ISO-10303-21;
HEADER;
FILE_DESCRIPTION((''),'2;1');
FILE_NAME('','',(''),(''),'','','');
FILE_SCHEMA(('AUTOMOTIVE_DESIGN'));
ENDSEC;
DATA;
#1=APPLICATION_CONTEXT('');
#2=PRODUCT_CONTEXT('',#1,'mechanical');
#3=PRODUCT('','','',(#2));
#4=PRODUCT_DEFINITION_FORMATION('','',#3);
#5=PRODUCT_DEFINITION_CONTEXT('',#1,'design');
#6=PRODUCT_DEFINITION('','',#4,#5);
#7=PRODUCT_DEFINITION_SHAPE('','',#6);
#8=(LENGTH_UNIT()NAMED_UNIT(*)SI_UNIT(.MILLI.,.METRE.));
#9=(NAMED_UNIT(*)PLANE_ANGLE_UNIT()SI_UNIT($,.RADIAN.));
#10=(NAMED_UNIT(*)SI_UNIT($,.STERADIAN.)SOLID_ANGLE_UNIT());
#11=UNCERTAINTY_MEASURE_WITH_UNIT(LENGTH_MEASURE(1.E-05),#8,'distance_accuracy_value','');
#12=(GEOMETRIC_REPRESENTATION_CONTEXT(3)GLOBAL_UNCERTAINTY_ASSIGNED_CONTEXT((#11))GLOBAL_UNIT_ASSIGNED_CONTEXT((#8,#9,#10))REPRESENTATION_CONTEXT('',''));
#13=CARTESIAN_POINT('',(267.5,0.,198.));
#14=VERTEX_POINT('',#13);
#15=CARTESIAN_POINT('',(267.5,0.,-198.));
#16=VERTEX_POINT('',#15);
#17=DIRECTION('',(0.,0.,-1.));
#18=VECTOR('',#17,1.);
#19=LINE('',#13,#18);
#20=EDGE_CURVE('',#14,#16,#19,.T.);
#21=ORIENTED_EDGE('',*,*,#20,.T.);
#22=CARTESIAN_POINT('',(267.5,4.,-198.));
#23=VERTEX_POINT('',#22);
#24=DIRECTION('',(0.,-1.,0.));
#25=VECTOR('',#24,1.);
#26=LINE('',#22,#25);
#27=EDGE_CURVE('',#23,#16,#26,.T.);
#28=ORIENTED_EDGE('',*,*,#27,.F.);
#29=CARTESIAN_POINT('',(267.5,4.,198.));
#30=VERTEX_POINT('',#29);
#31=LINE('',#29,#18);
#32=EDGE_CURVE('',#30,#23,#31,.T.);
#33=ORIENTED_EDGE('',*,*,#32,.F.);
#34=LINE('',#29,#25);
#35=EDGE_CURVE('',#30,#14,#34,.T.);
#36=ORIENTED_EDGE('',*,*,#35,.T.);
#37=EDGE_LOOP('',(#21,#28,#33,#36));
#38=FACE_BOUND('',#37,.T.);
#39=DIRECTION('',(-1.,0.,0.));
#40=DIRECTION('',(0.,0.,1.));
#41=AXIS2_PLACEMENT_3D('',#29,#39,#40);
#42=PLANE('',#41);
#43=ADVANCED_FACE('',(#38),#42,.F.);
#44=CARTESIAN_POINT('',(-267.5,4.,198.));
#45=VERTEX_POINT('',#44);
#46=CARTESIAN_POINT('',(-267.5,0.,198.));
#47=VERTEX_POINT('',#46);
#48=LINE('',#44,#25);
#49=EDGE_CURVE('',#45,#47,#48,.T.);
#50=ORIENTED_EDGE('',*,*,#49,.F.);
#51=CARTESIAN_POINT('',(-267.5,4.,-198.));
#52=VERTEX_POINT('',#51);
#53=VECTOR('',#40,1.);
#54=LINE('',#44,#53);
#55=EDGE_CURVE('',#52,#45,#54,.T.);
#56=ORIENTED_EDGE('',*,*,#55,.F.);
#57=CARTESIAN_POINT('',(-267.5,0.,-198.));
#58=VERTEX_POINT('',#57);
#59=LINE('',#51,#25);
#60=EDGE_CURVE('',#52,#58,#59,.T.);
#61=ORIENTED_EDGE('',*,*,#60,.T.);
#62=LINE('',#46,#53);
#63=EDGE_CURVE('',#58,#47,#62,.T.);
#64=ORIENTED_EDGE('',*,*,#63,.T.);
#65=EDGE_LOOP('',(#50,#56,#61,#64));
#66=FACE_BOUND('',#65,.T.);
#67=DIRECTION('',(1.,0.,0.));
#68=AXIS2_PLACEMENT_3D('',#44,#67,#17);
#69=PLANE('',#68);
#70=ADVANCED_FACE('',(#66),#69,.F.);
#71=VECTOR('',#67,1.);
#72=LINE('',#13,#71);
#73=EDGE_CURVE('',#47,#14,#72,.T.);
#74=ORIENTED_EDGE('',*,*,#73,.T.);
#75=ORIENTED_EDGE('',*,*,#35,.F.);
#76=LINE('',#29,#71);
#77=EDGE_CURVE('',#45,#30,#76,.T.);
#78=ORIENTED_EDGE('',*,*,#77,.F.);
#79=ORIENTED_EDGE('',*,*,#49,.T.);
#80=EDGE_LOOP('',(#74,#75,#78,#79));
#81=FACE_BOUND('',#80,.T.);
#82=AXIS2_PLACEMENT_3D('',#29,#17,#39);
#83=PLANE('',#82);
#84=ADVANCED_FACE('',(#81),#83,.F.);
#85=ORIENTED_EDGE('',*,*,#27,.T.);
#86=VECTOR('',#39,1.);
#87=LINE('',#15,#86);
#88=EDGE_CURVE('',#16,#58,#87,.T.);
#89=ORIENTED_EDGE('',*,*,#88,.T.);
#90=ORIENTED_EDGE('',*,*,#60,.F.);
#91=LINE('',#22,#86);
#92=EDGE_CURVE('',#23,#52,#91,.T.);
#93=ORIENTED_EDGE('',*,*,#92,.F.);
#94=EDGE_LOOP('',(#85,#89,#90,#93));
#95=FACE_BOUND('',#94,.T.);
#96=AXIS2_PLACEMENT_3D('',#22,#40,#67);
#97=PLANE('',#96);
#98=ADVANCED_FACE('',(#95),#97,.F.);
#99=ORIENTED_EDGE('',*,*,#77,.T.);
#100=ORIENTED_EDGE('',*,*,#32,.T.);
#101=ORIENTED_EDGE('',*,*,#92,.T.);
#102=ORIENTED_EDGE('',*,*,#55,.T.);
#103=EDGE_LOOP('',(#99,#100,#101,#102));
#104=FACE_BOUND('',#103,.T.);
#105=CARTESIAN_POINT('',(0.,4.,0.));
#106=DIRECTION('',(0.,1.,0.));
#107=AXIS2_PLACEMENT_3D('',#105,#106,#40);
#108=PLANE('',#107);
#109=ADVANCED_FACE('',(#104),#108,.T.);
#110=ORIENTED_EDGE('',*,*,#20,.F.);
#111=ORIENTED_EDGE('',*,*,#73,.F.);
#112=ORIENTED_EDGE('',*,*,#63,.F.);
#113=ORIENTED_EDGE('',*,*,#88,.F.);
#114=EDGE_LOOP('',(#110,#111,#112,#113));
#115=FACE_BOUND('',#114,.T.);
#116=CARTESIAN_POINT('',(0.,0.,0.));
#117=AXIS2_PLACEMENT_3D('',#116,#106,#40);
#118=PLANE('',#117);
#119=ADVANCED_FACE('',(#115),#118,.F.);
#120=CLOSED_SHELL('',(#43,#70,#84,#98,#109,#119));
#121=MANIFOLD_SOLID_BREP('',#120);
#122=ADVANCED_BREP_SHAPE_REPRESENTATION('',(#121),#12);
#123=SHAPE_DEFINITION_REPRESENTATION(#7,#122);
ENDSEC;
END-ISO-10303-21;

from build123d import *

# Parameters (mm, degrees)
SKICA1_W                = 535
SKICA1_H                = 396
P_IDAT_VYSUNUT_M1_DEPTH = 4


with BuildPart() as part:
    # Skica1 → Přidat vysunutím1 (new body)
    with BuildSketch(Plane(origin=(0, 0, 0), x_dir=(1, 0, 0), z_dir=(0, 1, 0))):
        Rectangle(SKICA1_W, SKICA1_H)
    extrude(amount=P_IDAT_VYSUNUT_M1_DEPTH)


solid = part.part
